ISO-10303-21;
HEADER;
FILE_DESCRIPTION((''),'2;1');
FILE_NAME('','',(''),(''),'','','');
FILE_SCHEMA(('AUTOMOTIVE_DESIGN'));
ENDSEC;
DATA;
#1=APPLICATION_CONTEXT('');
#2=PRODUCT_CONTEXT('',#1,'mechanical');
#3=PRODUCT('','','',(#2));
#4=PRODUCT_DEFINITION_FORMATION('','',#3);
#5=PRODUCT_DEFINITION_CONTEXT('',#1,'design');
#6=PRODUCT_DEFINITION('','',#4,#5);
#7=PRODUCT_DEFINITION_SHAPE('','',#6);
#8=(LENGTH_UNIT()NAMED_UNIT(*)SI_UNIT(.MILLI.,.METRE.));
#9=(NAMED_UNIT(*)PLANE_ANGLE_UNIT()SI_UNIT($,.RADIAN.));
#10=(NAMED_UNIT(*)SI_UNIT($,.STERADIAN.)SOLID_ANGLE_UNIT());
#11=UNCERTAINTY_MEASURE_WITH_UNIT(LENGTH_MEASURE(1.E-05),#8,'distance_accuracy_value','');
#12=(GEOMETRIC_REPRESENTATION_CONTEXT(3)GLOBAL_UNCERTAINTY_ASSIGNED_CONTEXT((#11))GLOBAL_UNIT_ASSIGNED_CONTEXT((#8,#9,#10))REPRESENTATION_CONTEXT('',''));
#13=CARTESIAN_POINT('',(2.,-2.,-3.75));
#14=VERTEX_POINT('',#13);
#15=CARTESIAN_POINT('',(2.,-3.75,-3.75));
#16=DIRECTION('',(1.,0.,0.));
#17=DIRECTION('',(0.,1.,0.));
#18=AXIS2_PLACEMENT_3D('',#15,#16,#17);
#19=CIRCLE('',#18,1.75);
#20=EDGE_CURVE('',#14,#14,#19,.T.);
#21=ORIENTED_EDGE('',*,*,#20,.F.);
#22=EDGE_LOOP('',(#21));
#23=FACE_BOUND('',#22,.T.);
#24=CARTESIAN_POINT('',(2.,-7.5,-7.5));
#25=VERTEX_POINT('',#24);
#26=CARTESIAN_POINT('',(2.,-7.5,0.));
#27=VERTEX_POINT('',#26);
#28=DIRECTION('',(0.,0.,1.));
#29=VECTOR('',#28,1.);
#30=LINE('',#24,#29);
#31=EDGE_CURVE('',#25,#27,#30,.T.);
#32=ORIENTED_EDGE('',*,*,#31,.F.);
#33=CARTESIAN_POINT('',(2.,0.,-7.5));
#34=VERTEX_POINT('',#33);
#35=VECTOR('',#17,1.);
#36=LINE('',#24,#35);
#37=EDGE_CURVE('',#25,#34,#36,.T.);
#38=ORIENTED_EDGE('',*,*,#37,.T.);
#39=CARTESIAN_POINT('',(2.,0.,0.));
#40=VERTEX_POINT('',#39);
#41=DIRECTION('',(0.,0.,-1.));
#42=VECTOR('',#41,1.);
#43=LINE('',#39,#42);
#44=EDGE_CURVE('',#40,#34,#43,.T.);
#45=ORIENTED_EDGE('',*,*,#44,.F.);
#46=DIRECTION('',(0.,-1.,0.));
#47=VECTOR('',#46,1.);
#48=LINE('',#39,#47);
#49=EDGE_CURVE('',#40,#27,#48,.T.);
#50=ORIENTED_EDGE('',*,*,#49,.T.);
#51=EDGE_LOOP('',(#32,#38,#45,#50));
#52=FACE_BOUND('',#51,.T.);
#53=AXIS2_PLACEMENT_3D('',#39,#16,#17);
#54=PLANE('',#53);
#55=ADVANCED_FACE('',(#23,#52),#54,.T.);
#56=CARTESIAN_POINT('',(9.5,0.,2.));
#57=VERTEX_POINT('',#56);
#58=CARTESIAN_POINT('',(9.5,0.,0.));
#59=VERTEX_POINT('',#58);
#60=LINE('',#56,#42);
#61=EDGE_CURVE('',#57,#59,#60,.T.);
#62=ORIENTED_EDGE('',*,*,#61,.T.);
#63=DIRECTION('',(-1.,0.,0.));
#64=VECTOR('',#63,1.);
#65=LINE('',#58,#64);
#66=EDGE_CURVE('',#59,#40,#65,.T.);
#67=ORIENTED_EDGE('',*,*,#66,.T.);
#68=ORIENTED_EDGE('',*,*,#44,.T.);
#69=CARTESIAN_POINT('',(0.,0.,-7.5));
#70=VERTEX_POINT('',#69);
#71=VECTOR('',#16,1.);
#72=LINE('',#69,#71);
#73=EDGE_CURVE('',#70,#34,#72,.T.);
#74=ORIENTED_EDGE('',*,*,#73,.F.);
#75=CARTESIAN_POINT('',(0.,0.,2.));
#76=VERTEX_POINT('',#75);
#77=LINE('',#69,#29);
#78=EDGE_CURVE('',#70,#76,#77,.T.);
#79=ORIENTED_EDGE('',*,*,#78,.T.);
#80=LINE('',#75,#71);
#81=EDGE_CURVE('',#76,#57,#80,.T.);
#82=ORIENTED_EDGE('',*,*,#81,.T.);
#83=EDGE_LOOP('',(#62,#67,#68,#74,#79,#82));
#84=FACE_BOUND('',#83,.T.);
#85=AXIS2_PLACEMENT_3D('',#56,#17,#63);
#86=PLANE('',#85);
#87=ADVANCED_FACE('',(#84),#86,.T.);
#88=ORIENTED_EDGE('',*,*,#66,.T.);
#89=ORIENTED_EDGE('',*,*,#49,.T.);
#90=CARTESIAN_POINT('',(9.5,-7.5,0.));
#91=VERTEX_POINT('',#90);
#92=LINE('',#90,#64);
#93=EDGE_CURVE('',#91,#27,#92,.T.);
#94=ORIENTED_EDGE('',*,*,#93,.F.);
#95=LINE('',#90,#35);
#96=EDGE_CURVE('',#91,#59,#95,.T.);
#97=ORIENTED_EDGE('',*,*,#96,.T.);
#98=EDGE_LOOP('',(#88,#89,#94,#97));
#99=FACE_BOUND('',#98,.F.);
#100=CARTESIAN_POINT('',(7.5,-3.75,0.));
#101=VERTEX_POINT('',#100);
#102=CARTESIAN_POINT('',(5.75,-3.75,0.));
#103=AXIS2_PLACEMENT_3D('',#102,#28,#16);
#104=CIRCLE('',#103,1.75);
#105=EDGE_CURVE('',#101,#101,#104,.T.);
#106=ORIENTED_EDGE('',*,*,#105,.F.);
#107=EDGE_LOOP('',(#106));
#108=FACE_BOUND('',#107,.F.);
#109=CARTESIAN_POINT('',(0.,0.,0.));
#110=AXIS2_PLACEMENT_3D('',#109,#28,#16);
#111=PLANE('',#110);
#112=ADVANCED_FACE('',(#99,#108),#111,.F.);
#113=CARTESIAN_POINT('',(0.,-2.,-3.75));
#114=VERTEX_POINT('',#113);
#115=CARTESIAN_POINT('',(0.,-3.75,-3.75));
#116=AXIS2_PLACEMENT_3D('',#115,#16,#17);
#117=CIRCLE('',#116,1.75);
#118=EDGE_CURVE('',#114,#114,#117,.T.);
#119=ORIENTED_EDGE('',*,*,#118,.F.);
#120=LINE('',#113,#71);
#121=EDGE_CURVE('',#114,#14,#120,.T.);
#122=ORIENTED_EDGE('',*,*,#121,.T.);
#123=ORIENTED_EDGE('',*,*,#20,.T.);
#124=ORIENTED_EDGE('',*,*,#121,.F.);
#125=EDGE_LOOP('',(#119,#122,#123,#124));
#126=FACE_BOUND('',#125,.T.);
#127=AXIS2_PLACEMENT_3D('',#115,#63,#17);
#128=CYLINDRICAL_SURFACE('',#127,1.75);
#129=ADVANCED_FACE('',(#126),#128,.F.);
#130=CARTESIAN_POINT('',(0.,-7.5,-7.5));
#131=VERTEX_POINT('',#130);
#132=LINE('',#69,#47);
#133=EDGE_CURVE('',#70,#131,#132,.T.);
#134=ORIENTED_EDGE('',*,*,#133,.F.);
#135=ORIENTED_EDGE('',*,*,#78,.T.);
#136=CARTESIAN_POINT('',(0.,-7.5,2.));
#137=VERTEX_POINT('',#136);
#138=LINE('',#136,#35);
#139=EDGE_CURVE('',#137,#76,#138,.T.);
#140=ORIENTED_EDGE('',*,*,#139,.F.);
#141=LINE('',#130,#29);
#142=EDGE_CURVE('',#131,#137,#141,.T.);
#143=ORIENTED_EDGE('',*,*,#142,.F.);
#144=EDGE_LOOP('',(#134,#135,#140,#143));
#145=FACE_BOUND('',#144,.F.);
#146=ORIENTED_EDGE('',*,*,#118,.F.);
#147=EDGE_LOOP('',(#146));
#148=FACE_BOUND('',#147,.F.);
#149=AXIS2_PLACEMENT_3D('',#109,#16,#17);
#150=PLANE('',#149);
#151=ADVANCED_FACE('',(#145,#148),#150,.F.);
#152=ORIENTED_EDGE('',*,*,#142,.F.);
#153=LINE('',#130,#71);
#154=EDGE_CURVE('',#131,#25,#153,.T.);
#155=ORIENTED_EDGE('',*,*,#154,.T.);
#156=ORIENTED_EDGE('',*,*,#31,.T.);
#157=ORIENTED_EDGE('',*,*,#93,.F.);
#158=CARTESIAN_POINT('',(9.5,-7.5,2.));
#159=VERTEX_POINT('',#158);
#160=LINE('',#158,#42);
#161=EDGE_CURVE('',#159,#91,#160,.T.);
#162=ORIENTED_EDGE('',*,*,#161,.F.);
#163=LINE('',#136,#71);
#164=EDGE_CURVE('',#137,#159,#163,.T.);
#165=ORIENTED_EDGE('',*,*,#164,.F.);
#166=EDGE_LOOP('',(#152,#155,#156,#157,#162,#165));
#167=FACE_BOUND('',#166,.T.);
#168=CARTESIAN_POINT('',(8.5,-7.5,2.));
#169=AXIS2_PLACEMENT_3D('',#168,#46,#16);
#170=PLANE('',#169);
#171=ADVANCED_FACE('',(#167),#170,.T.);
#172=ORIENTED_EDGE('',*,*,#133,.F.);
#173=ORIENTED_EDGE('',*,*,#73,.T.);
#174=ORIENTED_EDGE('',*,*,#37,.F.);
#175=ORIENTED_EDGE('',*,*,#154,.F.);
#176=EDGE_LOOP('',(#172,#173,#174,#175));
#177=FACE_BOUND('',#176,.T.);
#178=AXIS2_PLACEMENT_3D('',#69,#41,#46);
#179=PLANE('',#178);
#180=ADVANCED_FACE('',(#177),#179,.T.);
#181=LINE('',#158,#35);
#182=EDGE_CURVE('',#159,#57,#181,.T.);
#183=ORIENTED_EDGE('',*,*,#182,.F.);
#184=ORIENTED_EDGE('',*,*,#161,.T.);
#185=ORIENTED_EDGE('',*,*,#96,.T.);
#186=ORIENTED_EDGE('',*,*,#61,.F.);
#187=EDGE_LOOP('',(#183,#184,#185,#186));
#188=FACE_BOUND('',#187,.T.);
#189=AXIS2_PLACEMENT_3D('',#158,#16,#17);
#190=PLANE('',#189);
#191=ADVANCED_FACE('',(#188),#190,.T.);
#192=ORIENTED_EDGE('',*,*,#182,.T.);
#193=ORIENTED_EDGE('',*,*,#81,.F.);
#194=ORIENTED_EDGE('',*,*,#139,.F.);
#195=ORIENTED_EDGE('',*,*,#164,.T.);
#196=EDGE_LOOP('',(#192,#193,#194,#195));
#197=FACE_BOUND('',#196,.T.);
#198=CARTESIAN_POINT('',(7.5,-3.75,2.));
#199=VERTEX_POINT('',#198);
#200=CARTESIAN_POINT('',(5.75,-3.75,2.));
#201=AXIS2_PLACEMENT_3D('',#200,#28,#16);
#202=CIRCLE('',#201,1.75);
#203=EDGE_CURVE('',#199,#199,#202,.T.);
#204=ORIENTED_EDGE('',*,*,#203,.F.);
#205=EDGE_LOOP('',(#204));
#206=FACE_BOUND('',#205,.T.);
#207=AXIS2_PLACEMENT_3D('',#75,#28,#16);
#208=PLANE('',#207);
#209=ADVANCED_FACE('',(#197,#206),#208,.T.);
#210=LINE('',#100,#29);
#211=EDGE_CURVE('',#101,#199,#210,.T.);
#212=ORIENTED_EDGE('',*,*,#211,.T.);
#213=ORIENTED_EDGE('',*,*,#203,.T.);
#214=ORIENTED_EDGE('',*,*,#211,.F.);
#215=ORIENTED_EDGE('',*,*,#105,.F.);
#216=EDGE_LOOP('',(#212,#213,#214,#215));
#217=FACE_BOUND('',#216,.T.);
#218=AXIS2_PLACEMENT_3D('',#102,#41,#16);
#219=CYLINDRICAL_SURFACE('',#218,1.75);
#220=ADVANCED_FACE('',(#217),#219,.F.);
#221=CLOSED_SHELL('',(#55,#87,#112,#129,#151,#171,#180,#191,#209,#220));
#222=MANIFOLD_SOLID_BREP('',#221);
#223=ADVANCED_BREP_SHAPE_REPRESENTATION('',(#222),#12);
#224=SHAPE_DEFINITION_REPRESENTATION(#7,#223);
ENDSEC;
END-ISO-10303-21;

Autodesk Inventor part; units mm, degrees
ref_plane "YZ Plane" through (0, 0, 0) normal (1, 0, 0) x (0, 1, 0)
ref_plane "XZ Plane" through (0, 0, 0) normal (0, 1, 0) x (-1, 0, 0)
ref_plane "XY Plane" through (0, 0, 0) normal (0, 0, 1) x (1, 0, 0)
sketch "Boceto1" plane through (0, 0, 0) normal (1, 0, 0) x (0, 1, 0)
  line L0 (0, 0) -> (0, -2)
  line L1 (0, -2) -> (0, -5.5)
  line L2 (0, -5.5) -> (0, -7.5)
  line L3 (0, -7.5) -> (-2, -7.5)
  line L4 (-2, -7.5) -> (-5.5, -7.5)
  line L5 (0, 0) -> (-5.5, 0)
  line L6 (-5.5, -7.5) -> (-7.5, -7.5)
  line L7 (-7.5, -7.5) -> (-7.5, 0)
  line L8 (-7.5, 0) -> (0, 0)
  circle A0 centre (-3.75, -3.75) radius 1.75
  dimension "d0" = 2
  dimension "d1" = 3.5
  dimension "d2" = 2
  dimension "d3" = 2
  dimension "d4" = 3.5
  dimension "d5" = 2
sketch "Boceto2" plane through (0, 0, 0) normal (0, 0, 1) x (1, 0, 0)
  line L0 (0, 0) -> (2, 0)
  line L1 (2, 0) -> (2, -7.5)
  line L2 (2, 0) -> (3, 0)
  line L3 (2.8119, -7.5) -> (0, -7.5)
  line L4 (0, -7.5) -> (0, 0)
  line L5 (3, 0) -> (3, -7.5)
  line L6 (3, -7.5) -> (0, -7.5)
  line L7 (3, 0) -> (6.5, 0)
  line L8 (6.5, 0) -> (8.5, 0)
  line L9 (8.5, 0) -> (8.5, -7.5)
  line L10 (8.5, -7.5) -> (3, -7.5)
  circle A0 centre (5.75, -3.75) radius 1.75
  dimension "d6" = 2
  dimension "d15" = 1
  dimension "d16" = 3.5
  dimension "d17" = 2
  dimension "d18" = 3.5
extrude "Extrusión1" add sketch "Boceto1" along normal blind 2
extrude "Extrusión2" add sketch "Boceto2" along normal blind 2
sketch "Boceto4" plane through (0, 0, 2) normal (0, 0, 1) x (1, 0, 0)
  line L0 (8.5, -7.5) -> (9.5, -7.5)
  line L1 (9.5, -7.5) -> (9.5, 0)
  line L2 (9.5, 0) -> (8.5, 0)
  line L3 (8.5, -7.5) -> (8.5, 0) projected
  line L4 (8.5, 0) -> (8.5, -7.5)
  point P0 (0, 0)
  dimension "d24" = 1
extrude "Extrusión3" add sketch "Boceto4" against normal blind 2
properties part number "Pantalla - tirado 90gr"
